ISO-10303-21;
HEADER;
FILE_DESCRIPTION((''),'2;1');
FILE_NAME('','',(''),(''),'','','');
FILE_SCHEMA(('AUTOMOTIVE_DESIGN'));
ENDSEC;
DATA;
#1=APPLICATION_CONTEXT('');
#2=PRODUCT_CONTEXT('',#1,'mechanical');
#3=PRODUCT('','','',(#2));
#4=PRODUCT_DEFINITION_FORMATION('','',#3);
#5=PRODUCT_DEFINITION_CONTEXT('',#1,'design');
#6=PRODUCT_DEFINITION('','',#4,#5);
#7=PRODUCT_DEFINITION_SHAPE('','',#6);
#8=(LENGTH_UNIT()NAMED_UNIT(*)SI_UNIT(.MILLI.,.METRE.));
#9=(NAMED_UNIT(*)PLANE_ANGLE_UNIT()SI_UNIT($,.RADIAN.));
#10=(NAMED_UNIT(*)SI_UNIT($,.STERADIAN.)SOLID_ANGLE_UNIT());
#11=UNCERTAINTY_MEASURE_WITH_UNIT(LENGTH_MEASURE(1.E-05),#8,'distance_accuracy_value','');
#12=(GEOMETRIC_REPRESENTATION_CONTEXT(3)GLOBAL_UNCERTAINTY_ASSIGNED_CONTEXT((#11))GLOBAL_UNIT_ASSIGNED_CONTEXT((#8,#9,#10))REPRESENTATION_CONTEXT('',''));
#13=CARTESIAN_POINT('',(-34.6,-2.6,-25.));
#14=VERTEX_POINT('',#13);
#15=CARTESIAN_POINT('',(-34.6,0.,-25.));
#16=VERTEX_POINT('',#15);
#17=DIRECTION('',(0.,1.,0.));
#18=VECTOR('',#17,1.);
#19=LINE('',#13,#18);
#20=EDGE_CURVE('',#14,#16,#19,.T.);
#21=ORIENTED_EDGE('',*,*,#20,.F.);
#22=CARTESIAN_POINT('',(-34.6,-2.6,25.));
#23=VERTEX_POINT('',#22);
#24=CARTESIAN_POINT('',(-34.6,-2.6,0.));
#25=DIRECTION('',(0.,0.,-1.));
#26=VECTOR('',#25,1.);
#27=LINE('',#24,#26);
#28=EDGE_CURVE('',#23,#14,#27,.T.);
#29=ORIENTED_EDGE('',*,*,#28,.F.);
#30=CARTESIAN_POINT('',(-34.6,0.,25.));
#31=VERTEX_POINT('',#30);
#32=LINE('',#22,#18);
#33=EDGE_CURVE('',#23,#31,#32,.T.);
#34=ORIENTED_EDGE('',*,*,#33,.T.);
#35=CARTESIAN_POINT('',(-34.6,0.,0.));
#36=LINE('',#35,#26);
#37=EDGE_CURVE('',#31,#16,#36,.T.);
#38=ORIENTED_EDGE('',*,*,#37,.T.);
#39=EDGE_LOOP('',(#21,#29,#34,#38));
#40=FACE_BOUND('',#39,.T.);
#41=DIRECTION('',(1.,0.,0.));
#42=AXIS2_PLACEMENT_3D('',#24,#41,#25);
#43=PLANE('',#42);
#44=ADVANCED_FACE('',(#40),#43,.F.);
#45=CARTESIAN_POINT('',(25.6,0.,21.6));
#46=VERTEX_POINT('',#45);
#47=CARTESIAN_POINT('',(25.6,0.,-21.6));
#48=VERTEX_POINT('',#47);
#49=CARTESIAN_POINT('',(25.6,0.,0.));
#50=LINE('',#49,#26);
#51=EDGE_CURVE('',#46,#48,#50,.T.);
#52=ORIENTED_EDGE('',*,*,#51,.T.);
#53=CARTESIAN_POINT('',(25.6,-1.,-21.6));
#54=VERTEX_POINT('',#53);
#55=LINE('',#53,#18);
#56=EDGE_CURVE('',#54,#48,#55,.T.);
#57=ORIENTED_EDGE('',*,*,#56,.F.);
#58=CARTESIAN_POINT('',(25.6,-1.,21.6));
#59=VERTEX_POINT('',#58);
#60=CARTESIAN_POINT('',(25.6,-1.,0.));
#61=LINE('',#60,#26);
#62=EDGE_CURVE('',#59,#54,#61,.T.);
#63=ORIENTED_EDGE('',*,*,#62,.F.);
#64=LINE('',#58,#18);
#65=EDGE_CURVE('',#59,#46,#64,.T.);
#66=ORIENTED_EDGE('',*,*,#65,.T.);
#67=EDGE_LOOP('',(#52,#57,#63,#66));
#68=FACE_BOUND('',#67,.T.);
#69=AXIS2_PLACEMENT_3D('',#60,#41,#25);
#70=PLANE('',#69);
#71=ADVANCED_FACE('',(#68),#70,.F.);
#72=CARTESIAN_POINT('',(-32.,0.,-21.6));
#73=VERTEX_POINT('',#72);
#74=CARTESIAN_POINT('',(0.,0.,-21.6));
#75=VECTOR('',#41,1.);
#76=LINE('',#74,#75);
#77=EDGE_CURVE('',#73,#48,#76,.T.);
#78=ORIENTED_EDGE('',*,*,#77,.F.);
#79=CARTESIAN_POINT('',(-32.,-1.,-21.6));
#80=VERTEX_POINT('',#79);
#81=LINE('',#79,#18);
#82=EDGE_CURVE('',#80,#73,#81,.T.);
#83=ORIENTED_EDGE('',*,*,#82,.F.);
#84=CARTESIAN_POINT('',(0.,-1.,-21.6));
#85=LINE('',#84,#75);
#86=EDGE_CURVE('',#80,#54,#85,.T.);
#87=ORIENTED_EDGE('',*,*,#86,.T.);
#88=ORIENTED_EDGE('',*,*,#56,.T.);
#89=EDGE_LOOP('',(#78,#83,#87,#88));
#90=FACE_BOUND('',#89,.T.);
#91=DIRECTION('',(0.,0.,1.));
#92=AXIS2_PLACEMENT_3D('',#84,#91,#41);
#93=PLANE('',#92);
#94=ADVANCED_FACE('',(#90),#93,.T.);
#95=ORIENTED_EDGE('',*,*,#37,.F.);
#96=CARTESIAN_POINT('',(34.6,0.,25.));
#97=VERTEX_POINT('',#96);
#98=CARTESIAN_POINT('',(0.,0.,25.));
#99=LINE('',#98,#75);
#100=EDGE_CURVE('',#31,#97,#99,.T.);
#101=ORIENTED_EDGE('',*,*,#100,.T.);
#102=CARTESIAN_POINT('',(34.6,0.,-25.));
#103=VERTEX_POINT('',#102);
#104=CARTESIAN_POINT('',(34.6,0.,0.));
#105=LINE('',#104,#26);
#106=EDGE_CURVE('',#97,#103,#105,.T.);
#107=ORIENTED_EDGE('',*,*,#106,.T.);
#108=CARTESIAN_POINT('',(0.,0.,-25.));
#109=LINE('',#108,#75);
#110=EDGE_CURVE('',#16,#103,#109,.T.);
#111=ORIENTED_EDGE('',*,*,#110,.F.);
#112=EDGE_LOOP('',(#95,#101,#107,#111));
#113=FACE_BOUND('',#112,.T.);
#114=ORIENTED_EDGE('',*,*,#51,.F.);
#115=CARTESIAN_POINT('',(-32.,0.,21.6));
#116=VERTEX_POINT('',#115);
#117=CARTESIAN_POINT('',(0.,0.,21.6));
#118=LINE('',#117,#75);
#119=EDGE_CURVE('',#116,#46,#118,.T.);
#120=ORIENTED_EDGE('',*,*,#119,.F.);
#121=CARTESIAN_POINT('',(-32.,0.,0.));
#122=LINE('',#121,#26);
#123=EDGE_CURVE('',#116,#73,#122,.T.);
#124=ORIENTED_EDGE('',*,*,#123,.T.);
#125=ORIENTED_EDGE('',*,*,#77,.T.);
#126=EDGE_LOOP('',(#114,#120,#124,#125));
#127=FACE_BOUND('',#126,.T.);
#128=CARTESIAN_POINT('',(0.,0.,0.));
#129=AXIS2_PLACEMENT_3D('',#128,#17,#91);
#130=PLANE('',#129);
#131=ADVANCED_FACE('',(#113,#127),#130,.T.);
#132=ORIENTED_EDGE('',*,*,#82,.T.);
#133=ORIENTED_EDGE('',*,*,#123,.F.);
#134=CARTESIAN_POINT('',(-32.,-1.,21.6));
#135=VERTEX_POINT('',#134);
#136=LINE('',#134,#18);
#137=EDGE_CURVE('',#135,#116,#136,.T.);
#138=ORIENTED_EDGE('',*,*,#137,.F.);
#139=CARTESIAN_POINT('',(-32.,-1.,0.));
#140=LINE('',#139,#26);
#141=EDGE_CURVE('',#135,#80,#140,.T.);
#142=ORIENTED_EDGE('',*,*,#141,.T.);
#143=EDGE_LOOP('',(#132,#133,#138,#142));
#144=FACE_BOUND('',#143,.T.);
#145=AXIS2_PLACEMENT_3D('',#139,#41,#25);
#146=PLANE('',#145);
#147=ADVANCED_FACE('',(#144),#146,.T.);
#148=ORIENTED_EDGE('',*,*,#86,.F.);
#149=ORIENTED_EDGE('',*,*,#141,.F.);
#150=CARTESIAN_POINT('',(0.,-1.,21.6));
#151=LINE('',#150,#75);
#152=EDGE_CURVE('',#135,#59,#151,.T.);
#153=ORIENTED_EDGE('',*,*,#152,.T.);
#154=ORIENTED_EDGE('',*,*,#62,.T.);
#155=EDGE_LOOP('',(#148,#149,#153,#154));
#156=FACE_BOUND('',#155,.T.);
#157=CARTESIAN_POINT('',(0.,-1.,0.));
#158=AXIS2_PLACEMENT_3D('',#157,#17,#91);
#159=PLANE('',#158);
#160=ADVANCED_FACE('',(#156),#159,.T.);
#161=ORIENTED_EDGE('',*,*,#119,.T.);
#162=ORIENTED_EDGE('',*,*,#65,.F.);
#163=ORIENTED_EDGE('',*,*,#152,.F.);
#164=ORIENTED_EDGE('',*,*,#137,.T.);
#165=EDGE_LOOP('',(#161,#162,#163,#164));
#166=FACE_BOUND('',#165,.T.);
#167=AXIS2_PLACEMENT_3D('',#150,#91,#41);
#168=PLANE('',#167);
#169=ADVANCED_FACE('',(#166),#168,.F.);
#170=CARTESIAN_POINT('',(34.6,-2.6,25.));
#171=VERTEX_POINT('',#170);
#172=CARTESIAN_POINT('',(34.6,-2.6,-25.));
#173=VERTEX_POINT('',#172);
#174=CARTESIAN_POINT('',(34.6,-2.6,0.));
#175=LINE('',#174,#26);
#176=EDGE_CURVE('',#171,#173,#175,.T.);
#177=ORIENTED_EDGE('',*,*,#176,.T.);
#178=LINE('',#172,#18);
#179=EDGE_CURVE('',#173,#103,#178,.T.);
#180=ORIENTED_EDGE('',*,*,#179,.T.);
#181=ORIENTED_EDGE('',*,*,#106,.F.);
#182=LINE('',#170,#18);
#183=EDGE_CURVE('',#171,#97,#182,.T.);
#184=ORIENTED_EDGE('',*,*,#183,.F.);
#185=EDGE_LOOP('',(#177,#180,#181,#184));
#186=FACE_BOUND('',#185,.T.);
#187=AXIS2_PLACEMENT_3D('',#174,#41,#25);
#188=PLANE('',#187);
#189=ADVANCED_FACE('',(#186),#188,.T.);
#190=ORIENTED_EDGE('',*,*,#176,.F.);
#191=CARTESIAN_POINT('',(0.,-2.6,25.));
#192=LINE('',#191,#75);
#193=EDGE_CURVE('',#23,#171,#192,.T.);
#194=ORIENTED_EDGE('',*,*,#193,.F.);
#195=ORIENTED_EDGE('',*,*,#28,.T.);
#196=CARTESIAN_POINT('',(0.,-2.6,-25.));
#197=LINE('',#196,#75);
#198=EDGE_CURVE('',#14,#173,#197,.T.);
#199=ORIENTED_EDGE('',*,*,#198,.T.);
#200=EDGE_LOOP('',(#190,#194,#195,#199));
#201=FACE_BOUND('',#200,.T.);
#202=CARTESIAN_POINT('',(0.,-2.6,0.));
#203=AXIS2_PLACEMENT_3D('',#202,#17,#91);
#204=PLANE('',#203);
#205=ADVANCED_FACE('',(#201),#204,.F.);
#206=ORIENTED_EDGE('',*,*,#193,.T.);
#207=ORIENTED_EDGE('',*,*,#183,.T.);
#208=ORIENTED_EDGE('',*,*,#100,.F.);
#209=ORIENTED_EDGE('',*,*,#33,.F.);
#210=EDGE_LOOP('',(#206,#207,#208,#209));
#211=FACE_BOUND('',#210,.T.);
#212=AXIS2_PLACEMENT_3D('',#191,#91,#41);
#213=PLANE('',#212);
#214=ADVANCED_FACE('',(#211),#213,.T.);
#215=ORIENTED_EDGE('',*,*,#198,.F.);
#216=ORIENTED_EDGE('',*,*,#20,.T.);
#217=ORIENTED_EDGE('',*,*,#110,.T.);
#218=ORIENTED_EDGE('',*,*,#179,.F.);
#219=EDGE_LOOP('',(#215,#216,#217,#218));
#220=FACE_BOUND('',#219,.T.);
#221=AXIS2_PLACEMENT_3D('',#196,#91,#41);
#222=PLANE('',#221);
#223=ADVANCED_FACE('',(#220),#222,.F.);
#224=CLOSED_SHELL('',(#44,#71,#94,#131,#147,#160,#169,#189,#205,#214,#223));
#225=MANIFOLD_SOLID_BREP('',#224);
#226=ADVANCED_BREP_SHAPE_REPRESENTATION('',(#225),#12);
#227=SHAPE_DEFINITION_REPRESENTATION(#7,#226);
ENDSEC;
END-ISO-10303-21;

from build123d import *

# Parameters (mm, degrees)
LCD_W               = 69.2
LCD_H               = 50
EXTRUDE_2_DEPTH     = 2.6
LCD_3_W             = 57.6
LCD_3_H             = 43.2
CUT_EXTRUDE_1_DEPTH = 1


with BuildPart() as part:
    # LCD外壳 → 凸台-拉伸2 (new body)
    with BuildSketch(Plane(origin=(0, 0, 0), x_dir=(1, 0, 0), z_dir=(0, 1, 0))):
        Rectangle(LCD_W, LCD_H)
    extrude(amount=-EXTRUDE_2_DEPTH)

    # LCD外壳<3> → 切除-拉伸1 (cut)
    with BuildSketch(Plane(origin=(0, 0, 0), x_dir=(1, 0, 0), z_dir=(0, 1, 0))):
        with Locations((-3.2, 0)):
            Rectangle(LCD_3_W, LCD_3_H)
    extrude(amount=-CUT_EXTRUDE_1_DEPTH, mode=Mode.SUBTRACT)


solid = part.part
